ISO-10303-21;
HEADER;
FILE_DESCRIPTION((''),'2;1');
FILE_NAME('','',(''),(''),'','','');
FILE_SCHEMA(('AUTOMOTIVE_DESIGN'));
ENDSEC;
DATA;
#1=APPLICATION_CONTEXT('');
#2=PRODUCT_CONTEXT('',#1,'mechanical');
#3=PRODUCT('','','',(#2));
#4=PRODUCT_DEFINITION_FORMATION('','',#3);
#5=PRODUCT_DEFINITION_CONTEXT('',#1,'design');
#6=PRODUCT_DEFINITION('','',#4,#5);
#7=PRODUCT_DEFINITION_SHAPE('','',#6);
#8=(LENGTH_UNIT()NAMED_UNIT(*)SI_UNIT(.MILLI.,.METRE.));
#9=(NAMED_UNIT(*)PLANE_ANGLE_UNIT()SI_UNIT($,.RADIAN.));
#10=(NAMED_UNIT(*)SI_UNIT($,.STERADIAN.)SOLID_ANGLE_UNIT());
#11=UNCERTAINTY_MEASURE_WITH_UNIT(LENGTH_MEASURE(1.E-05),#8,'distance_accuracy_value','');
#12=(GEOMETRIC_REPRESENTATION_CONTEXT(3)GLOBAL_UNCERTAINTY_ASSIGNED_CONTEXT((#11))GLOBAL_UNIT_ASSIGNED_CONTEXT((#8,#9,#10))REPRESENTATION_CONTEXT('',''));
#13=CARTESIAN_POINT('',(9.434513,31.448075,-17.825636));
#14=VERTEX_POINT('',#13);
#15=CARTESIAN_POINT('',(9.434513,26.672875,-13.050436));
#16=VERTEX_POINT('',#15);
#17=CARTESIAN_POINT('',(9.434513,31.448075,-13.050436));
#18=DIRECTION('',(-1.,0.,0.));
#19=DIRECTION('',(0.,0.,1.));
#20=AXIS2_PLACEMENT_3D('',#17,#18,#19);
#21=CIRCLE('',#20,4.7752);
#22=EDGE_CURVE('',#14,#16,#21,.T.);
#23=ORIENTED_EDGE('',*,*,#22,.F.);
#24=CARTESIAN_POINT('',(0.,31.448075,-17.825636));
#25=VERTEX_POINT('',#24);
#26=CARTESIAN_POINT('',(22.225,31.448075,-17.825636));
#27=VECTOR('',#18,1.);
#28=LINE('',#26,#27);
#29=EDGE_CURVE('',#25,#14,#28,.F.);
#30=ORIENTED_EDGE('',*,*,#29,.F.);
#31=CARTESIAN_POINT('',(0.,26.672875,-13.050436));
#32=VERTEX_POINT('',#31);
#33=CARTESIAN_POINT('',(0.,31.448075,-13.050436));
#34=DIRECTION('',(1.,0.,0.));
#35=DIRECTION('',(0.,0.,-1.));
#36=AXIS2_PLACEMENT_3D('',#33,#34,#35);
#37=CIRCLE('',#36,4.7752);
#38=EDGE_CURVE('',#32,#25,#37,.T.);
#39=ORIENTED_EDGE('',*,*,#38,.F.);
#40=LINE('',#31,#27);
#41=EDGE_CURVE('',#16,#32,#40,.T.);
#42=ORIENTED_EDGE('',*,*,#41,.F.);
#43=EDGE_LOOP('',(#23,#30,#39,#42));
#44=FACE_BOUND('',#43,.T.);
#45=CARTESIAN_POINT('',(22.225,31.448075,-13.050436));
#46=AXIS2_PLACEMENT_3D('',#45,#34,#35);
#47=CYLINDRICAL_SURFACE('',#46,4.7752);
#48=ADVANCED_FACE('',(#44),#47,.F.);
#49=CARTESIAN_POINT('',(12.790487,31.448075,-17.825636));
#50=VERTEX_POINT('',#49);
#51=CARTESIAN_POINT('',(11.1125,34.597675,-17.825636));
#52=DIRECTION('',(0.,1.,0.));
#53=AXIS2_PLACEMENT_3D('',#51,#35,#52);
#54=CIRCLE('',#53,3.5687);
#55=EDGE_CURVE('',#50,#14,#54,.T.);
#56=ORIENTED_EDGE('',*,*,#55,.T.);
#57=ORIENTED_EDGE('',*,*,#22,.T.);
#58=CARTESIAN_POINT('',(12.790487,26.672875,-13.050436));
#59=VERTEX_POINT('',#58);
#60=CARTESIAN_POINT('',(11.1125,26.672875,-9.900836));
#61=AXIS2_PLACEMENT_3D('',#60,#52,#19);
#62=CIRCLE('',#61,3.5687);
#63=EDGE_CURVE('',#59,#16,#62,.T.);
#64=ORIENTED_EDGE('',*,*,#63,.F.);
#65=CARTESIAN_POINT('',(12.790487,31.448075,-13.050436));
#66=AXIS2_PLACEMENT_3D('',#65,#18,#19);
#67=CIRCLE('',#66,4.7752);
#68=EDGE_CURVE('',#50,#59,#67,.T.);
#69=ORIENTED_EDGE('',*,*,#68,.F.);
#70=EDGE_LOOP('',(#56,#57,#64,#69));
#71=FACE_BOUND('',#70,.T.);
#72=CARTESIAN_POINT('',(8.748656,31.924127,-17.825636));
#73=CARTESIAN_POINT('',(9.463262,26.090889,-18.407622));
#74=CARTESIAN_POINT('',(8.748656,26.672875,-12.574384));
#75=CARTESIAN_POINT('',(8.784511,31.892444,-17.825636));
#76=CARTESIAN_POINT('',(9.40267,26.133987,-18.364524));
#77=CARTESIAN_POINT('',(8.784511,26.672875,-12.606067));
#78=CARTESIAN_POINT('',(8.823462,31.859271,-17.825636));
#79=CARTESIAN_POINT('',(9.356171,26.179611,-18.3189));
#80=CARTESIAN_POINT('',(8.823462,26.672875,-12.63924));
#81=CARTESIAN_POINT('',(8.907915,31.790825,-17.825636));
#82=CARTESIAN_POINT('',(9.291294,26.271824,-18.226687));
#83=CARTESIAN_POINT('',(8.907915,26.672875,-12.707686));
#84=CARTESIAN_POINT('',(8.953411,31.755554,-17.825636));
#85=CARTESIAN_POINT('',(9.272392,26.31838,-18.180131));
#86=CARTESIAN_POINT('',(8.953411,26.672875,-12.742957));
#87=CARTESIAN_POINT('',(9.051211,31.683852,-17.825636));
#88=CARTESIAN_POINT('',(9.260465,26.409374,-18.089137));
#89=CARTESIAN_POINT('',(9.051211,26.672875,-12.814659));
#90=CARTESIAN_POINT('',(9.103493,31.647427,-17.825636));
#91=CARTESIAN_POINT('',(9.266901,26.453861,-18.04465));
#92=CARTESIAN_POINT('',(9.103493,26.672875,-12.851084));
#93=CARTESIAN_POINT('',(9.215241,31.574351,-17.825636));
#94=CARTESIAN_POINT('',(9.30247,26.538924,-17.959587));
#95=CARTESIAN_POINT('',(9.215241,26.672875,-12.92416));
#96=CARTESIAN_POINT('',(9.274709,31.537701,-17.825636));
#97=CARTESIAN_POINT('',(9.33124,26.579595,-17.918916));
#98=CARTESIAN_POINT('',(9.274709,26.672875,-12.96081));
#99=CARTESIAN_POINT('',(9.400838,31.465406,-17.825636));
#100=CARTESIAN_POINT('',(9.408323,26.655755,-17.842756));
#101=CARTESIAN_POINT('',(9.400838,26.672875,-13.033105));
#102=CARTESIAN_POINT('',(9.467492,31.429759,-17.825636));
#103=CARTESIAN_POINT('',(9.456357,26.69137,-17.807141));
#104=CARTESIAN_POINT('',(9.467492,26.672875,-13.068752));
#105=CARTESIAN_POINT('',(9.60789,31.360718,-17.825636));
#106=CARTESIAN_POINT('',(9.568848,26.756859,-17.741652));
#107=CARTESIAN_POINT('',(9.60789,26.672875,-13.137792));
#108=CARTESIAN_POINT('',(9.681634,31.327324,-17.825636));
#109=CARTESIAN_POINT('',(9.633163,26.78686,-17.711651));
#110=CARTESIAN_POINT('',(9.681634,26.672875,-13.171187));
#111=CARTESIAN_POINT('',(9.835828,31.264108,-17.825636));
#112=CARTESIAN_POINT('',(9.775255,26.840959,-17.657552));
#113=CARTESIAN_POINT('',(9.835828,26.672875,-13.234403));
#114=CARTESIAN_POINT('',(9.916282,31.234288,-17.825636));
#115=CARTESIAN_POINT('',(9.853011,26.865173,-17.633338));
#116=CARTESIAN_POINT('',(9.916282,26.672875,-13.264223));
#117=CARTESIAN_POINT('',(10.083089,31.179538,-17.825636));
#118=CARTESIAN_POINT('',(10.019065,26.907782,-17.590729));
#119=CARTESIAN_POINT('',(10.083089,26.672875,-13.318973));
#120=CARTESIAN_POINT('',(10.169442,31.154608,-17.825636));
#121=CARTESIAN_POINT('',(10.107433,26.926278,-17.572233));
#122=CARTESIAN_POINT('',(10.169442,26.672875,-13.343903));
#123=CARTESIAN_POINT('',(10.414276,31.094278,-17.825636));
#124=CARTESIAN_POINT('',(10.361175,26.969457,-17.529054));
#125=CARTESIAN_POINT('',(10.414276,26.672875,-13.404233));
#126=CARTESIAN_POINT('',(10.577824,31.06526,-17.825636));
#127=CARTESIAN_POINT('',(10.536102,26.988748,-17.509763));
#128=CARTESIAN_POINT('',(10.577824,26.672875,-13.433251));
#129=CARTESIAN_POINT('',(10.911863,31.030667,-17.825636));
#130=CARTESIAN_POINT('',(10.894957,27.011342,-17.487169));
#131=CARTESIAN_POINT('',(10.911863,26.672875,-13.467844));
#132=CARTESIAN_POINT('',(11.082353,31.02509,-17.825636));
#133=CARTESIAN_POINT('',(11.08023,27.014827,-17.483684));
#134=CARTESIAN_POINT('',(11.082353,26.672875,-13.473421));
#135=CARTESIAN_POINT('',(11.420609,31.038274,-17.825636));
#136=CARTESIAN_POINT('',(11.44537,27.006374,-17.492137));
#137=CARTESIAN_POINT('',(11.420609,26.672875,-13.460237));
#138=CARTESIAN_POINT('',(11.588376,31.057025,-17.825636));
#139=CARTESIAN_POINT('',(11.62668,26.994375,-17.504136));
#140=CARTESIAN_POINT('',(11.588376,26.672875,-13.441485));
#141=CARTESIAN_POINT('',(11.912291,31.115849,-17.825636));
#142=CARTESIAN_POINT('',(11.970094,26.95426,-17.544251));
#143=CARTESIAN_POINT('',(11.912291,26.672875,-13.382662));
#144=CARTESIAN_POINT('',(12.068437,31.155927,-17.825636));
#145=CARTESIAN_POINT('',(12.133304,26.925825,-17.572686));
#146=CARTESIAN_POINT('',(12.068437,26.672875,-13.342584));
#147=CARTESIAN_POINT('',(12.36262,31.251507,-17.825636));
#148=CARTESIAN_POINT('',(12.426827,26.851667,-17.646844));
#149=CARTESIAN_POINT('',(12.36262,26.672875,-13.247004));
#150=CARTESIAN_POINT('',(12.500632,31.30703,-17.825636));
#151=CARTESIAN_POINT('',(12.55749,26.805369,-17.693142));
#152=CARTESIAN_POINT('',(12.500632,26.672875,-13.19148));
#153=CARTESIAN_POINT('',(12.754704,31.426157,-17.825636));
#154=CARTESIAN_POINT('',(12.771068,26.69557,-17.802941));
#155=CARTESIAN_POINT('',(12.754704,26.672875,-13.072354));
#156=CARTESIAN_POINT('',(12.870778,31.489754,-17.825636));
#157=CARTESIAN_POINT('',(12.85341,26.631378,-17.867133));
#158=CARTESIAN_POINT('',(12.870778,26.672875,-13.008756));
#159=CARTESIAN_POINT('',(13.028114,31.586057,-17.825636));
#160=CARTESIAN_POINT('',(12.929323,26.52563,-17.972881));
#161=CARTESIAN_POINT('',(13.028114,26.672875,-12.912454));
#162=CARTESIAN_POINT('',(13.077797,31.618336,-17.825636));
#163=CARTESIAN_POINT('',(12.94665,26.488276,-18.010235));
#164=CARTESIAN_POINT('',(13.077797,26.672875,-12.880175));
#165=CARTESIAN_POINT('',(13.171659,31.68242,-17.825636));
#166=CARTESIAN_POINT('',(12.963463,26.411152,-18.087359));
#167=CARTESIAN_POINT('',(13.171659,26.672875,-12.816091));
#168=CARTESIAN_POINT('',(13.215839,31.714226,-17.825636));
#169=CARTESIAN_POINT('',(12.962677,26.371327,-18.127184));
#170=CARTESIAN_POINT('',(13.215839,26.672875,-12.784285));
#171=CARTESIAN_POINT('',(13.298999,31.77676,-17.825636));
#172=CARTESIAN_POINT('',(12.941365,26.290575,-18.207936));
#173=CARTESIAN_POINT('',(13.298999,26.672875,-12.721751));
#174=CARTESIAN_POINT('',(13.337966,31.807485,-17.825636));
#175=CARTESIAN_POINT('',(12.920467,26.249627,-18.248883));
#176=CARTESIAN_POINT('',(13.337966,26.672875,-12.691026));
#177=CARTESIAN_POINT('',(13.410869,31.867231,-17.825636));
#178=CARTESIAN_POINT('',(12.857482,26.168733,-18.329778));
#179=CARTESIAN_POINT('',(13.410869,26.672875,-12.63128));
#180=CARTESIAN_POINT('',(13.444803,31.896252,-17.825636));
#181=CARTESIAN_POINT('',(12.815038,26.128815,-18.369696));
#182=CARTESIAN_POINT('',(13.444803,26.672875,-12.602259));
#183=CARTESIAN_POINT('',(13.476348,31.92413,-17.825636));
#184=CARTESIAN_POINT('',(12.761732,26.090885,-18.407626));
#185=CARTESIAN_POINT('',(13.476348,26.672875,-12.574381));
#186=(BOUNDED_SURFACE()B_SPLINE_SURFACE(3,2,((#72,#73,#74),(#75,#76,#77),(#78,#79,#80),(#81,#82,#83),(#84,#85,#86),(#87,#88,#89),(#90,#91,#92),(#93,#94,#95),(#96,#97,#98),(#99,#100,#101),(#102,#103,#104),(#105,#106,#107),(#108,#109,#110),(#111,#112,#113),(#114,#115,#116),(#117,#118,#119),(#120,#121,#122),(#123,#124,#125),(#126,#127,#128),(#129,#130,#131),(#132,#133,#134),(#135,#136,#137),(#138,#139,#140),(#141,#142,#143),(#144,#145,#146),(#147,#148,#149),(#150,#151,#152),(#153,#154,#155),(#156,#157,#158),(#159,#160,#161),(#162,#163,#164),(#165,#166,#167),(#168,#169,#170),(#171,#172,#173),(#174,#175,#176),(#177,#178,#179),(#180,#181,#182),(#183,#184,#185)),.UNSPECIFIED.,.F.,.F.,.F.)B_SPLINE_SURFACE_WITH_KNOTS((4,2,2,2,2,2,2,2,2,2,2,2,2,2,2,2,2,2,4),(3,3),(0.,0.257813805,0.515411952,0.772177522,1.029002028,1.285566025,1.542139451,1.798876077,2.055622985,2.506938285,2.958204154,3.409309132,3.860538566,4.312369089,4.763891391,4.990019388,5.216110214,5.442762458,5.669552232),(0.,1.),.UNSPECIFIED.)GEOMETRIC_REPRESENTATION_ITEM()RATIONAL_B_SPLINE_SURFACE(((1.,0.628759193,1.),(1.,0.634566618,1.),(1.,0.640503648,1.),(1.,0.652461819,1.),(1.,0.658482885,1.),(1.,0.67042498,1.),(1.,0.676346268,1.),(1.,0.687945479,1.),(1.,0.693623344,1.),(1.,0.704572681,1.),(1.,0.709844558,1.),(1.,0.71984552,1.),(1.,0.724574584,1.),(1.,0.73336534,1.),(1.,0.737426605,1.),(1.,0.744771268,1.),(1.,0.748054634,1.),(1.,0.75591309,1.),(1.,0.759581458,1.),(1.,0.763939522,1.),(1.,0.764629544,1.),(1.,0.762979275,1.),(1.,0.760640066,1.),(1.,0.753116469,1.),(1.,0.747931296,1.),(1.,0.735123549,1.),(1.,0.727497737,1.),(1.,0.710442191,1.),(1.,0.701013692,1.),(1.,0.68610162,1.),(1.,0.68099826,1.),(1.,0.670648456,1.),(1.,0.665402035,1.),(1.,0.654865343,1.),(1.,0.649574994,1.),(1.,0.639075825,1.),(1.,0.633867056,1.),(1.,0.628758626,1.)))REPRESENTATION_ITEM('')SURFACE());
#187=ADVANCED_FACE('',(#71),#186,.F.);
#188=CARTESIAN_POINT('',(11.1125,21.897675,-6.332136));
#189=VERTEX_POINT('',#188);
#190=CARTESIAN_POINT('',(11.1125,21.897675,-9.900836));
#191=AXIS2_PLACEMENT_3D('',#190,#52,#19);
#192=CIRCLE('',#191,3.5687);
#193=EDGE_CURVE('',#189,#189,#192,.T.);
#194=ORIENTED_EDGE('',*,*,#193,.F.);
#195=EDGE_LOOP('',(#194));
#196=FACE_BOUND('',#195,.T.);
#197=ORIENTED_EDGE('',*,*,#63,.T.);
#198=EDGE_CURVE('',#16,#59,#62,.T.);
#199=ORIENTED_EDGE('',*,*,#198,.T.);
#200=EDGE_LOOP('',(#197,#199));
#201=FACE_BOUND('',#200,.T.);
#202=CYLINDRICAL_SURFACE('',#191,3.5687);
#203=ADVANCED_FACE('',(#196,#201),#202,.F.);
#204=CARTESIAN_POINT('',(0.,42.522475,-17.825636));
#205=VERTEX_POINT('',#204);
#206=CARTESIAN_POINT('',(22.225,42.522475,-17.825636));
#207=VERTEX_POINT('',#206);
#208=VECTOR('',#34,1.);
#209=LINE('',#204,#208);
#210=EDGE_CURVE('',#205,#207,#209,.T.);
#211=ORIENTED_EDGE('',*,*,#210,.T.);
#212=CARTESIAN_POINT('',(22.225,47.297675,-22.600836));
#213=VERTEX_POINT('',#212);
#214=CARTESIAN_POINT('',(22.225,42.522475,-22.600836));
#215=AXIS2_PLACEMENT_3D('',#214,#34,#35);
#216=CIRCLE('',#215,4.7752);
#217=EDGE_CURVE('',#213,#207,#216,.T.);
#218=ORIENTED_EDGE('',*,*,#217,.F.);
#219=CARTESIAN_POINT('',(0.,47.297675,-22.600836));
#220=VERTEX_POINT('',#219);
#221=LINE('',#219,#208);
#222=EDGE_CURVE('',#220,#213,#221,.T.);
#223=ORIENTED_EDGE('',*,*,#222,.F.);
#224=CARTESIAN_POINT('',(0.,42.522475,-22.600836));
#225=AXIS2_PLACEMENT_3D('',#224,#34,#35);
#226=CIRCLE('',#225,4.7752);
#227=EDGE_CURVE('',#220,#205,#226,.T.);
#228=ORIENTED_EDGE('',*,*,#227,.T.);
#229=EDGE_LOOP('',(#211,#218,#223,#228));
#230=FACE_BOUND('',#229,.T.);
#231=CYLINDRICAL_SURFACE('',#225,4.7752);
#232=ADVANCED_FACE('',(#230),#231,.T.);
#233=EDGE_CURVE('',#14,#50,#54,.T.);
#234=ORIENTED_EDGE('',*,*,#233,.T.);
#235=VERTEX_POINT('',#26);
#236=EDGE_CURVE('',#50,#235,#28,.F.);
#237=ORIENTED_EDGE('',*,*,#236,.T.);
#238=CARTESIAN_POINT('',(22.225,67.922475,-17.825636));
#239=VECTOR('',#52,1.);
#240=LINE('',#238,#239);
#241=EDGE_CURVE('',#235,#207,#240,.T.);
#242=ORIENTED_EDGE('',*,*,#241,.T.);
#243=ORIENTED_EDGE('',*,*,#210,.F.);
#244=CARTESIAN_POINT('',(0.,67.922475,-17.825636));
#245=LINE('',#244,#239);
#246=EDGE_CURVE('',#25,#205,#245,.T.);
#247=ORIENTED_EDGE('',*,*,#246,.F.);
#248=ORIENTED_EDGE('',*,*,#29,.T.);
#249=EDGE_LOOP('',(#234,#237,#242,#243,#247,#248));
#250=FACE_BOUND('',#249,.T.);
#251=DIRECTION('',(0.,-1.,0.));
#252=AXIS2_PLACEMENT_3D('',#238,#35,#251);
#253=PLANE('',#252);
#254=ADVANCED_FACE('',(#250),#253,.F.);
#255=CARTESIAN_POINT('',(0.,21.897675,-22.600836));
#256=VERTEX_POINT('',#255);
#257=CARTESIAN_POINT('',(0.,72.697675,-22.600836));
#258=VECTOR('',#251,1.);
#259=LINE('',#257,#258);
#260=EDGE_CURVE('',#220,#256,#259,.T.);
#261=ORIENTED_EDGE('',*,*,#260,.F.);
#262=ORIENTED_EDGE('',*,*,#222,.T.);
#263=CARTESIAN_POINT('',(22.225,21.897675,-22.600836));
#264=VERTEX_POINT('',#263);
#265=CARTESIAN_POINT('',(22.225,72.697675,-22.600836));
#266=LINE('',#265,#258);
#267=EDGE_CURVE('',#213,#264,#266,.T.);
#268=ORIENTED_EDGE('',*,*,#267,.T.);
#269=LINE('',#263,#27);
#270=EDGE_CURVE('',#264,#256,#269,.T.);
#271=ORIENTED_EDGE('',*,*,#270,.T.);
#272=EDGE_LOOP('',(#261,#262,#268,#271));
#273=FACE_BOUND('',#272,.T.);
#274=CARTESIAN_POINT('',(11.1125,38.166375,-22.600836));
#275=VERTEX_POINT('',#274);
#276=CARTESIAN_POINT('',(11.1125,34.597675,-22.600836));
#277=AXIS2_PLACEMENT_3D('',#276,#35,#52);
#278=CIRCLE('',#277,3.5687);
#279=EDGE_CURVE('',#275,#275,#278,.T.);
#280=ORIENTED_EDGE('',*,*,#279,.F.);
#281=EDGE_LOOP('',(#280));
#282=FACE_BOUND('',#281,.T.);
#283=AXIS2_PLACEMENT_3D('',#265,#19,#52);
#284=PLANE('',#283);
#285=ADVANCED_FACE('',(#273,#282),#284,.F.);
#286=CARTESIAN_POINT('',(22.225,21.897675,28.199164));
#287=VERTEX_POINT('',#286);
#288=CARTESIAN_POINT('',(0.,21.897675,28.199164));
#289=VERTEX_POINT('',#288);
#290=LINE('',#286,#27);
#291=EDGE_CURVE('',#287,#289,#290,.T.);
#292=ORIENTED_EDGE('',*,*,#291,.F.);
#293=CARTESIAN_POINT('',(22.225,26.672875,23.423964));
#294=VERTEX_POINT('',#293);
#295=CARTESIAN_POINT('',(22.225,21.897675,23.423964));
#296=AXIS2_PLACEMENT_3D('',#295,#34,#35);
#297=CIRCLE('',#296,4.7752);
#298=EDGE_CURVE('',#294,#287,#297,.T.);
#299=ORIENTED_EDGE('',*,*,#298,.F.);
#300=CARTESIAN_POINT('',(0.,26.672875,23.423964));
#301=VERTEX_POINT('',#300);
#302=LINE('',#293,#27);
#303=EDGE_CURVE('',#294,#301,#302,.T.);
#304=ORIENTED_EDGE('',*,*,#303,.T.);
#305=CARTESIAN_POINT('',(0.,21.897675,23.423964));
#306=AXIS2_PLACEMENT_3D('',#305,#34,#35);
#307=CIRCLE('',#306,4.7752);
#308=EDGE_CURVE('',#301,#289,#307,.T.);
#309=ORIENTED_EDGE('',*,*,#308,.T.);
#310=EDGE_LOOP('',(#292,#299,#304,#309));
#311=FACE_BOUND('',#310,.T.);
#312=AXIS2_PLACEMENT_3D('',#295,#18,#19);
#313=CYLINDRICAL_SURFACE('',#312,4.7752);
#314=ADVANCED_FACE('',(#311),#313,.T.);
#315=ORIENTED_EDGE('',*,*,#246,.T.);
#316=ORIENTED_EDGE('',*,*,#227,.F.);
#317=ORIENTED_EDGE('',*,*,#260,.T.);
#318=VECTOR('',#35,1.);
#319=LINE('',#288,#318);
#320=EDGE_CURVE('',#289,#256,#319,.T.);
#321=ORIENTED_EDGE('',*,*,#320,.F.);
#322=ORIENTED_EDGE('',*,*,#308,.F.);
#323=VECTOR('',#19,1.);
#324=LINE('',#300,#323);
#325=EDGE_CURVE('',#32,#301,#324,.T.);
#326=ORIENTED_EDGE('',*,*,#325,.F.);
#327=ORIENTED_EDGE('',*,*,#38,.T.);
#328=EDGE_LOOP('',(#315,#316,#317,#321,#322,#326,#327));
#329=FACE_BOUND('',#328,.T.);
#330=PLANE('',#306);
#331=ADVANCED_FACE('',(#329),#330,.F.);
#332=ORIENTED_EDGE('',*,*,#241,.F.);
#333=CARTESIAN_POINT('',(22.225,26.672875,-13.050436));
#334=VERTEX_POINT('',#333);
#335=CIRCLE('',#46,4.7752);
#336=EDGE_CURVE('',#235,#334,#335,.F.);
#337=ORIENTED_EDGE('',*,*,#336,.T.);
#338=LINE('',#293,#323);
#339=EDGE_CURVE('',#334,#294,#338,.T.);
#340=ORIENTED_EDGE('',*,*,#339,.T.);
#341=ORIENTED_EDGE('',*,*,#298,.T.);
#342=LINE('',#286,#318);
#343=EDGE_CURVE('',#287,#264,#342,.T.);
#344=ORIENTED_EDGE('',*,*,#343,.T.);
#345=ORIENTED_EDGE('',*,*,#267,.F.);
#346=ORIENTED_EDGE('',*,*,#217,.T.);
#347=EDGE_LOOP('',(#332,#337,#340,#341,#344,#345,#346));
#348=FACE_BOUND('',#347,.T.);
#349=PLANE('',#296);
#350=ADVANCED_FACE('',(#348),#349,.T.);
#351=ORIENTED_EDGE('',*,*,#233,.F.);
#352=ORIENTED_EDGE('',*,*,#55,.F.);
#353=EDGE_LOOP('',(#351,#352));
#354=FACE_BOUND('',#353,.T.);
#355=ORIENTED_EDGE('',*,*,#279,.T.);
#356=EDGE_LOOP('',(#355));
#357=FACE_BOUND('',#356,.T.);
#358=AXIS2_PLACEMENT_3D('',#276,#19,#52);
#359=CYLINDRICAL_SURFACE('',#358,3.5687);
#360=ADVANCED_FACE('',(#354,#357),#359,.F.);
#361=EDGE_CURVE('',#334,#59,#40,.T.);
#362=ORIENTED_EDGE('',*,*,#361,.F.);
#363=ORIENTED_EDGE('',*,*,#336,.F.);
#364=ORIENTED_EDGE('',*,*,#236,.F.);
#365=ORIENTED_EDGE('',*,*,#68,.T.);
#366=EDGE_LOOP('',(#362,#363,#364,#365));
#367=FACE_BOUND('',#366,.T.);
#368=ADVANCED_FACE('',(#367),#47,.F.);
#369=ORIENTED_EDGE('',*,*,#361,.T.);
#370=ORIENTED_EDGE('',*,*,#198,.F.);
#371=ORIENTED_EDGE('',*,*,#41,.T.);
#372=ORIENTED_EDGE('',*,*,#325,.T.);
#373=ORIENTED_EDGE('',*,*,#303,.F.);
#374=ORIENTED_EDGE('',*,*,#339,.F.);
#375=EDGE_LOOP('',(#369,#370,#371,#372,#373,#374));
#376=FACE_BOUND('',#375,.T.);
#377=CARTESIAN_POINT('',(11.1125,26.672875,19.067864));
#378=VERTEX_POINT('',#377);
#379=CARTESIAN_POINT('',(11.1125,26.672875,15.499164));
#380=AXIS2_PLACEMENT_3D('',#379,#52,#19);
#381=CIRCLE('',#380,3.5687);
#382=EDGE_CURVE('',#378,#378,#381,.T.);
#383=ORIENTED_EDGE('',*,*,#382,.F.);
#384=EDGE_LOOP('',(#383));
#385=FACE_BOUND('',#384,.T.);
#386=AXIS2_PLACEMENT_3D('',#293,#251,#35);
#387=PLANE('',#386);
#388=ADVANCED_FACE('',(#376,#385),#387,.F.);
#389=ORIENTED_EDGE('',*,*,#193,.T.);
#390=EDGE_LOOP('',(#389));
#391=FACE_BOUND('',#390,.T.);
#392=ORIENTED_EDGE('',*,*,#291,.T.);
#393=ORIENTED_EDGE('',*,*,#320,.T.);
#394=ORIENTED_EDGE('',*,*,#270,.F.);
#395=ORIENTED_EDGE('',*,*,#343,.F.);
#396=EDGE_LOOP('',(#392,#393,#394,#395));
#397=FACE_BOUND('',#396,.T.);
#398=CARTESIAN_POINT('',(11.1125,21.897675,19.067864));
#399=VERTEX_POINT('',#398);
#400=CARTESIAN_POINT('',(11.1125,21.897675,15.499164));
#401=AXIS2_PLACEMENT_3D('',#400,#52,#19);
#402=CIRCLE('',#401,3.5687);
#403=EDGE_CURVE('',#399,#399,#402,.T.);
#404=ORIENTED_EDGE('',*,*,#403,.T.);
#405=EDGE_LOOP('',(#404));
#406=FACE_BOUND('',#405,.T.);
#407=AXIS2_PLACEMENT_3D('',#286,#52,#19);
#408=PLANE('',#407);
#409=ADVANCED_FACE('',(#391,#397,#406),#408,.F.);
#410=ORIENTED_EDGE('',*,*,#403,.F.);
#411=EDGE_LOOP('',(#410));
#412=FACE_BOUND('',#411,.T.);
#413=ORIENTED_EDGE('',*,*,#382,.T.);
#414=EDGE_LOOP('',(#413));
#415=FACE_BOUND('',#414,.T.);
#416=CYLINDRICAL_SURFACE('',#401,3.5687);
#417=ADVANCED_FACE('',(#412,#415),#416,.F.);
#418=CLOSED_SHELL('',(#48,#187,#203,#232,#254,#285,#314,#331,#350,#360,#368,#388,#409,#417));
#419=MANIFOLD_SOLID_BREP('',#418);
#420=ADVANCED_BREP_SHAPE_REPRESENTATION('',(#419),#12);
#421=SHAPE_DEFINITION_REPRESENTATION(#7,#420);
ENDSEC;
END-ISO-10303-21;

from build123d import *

# Parameters (mm, degrees)
EXTRUDE1_DEPTH     = 22.225
SKETCH2_R          = 3.5687
CUT_EXTRUDE1_DEPTH = 5.7752
FILLET1_R          = 4.7752
CUT_EXTRUDE2_DEPTH = 23.225


with BuildPart() as part:
    # Sketch1 → Extrude1 (new body)
    with BuildSketch(Plane(origin=(0, 0, 0), x_dir=(0, 0, -1), z_dir=(1, 0, 0))):
        with BuildLine():
            Line((-28.199163803, 21.897674685), (22.600836197, 21.897674685))
            Line((22.600836197, 21.897674685), (17.825636197, 26.672874685))
            Line((17.825636197, 26.672874685), (-23.423963803, 26.672874685))
            ThreePointArc((-23.423963803, 26.672874685), (-26.800540105, 25.274250987), (-28.199163803, 21.897674685))
        make_face()
    extrude(amount=EXTRUDE1_DEPTH)

    # Sketch2 → Cut-Extrude1 (cut, through all)
    with BuildSketch(Plane(origin=(0, 26.672874685, 0), x_dir=(1, 0, 0), z_dir=(0, 1, 0))):
        with Locations((11.1125, -15.499163803)):
            Circle(SKETCH2_R)
        with Locations((11.1125, 9.900836197)):
            Circle(SKETCH2_R)
    extrude(amount=-CUT_EXTRUDE1_DEPTH, mode=Mode.SUBTRACT)

    # Mirror1: part across plane


with BuildPart() as part_1:
    add(part.part)
    add(part.part.mirror(Plane(origin=(22.225, 21.897674685, -22.600836197), x_dir=(0, 0.707106781, 0.707106781), z_dir=(0, -0.707106781, 0.707106781))))

    # Fillet1
    fillet1_edges = [part_1.edges().sort_by_distance(p)[0] for p in [
        (11.1125, 26.672874685, -17.825636197),
    ]]
    fillet(fillet1_edges, radius=FILLET1_R)

    # Sketch3 → Cut-Extrude2 (cut, through all)
    with BuildSketch(Plane(origin=(22.225, 0, 0), x_dir=(0, 0, -1), z_dir=(1, 0, 0))):
        with BuildLine():
            Line((17.825636197, 67.922474685), (17.825636197, 42.522474685))
            ThreePointArc((17.825636197, 42.522474685), (19.224259895, 45.899050987), (22.600836197, 47.297674685))
            Line((22.600836197, 47.297674685), (22.600836197, 72.697674685))
            ThreePointArc((22.600836197, 72.697674685), (19.224259895, 71.299050987), (17.825636197, 67.922474685))
        make_face()
    extrude(amount=-CUT_EXTRUDE2_DEPTH, mode=Mode.SUBTRACT)


solid = part_1.part
